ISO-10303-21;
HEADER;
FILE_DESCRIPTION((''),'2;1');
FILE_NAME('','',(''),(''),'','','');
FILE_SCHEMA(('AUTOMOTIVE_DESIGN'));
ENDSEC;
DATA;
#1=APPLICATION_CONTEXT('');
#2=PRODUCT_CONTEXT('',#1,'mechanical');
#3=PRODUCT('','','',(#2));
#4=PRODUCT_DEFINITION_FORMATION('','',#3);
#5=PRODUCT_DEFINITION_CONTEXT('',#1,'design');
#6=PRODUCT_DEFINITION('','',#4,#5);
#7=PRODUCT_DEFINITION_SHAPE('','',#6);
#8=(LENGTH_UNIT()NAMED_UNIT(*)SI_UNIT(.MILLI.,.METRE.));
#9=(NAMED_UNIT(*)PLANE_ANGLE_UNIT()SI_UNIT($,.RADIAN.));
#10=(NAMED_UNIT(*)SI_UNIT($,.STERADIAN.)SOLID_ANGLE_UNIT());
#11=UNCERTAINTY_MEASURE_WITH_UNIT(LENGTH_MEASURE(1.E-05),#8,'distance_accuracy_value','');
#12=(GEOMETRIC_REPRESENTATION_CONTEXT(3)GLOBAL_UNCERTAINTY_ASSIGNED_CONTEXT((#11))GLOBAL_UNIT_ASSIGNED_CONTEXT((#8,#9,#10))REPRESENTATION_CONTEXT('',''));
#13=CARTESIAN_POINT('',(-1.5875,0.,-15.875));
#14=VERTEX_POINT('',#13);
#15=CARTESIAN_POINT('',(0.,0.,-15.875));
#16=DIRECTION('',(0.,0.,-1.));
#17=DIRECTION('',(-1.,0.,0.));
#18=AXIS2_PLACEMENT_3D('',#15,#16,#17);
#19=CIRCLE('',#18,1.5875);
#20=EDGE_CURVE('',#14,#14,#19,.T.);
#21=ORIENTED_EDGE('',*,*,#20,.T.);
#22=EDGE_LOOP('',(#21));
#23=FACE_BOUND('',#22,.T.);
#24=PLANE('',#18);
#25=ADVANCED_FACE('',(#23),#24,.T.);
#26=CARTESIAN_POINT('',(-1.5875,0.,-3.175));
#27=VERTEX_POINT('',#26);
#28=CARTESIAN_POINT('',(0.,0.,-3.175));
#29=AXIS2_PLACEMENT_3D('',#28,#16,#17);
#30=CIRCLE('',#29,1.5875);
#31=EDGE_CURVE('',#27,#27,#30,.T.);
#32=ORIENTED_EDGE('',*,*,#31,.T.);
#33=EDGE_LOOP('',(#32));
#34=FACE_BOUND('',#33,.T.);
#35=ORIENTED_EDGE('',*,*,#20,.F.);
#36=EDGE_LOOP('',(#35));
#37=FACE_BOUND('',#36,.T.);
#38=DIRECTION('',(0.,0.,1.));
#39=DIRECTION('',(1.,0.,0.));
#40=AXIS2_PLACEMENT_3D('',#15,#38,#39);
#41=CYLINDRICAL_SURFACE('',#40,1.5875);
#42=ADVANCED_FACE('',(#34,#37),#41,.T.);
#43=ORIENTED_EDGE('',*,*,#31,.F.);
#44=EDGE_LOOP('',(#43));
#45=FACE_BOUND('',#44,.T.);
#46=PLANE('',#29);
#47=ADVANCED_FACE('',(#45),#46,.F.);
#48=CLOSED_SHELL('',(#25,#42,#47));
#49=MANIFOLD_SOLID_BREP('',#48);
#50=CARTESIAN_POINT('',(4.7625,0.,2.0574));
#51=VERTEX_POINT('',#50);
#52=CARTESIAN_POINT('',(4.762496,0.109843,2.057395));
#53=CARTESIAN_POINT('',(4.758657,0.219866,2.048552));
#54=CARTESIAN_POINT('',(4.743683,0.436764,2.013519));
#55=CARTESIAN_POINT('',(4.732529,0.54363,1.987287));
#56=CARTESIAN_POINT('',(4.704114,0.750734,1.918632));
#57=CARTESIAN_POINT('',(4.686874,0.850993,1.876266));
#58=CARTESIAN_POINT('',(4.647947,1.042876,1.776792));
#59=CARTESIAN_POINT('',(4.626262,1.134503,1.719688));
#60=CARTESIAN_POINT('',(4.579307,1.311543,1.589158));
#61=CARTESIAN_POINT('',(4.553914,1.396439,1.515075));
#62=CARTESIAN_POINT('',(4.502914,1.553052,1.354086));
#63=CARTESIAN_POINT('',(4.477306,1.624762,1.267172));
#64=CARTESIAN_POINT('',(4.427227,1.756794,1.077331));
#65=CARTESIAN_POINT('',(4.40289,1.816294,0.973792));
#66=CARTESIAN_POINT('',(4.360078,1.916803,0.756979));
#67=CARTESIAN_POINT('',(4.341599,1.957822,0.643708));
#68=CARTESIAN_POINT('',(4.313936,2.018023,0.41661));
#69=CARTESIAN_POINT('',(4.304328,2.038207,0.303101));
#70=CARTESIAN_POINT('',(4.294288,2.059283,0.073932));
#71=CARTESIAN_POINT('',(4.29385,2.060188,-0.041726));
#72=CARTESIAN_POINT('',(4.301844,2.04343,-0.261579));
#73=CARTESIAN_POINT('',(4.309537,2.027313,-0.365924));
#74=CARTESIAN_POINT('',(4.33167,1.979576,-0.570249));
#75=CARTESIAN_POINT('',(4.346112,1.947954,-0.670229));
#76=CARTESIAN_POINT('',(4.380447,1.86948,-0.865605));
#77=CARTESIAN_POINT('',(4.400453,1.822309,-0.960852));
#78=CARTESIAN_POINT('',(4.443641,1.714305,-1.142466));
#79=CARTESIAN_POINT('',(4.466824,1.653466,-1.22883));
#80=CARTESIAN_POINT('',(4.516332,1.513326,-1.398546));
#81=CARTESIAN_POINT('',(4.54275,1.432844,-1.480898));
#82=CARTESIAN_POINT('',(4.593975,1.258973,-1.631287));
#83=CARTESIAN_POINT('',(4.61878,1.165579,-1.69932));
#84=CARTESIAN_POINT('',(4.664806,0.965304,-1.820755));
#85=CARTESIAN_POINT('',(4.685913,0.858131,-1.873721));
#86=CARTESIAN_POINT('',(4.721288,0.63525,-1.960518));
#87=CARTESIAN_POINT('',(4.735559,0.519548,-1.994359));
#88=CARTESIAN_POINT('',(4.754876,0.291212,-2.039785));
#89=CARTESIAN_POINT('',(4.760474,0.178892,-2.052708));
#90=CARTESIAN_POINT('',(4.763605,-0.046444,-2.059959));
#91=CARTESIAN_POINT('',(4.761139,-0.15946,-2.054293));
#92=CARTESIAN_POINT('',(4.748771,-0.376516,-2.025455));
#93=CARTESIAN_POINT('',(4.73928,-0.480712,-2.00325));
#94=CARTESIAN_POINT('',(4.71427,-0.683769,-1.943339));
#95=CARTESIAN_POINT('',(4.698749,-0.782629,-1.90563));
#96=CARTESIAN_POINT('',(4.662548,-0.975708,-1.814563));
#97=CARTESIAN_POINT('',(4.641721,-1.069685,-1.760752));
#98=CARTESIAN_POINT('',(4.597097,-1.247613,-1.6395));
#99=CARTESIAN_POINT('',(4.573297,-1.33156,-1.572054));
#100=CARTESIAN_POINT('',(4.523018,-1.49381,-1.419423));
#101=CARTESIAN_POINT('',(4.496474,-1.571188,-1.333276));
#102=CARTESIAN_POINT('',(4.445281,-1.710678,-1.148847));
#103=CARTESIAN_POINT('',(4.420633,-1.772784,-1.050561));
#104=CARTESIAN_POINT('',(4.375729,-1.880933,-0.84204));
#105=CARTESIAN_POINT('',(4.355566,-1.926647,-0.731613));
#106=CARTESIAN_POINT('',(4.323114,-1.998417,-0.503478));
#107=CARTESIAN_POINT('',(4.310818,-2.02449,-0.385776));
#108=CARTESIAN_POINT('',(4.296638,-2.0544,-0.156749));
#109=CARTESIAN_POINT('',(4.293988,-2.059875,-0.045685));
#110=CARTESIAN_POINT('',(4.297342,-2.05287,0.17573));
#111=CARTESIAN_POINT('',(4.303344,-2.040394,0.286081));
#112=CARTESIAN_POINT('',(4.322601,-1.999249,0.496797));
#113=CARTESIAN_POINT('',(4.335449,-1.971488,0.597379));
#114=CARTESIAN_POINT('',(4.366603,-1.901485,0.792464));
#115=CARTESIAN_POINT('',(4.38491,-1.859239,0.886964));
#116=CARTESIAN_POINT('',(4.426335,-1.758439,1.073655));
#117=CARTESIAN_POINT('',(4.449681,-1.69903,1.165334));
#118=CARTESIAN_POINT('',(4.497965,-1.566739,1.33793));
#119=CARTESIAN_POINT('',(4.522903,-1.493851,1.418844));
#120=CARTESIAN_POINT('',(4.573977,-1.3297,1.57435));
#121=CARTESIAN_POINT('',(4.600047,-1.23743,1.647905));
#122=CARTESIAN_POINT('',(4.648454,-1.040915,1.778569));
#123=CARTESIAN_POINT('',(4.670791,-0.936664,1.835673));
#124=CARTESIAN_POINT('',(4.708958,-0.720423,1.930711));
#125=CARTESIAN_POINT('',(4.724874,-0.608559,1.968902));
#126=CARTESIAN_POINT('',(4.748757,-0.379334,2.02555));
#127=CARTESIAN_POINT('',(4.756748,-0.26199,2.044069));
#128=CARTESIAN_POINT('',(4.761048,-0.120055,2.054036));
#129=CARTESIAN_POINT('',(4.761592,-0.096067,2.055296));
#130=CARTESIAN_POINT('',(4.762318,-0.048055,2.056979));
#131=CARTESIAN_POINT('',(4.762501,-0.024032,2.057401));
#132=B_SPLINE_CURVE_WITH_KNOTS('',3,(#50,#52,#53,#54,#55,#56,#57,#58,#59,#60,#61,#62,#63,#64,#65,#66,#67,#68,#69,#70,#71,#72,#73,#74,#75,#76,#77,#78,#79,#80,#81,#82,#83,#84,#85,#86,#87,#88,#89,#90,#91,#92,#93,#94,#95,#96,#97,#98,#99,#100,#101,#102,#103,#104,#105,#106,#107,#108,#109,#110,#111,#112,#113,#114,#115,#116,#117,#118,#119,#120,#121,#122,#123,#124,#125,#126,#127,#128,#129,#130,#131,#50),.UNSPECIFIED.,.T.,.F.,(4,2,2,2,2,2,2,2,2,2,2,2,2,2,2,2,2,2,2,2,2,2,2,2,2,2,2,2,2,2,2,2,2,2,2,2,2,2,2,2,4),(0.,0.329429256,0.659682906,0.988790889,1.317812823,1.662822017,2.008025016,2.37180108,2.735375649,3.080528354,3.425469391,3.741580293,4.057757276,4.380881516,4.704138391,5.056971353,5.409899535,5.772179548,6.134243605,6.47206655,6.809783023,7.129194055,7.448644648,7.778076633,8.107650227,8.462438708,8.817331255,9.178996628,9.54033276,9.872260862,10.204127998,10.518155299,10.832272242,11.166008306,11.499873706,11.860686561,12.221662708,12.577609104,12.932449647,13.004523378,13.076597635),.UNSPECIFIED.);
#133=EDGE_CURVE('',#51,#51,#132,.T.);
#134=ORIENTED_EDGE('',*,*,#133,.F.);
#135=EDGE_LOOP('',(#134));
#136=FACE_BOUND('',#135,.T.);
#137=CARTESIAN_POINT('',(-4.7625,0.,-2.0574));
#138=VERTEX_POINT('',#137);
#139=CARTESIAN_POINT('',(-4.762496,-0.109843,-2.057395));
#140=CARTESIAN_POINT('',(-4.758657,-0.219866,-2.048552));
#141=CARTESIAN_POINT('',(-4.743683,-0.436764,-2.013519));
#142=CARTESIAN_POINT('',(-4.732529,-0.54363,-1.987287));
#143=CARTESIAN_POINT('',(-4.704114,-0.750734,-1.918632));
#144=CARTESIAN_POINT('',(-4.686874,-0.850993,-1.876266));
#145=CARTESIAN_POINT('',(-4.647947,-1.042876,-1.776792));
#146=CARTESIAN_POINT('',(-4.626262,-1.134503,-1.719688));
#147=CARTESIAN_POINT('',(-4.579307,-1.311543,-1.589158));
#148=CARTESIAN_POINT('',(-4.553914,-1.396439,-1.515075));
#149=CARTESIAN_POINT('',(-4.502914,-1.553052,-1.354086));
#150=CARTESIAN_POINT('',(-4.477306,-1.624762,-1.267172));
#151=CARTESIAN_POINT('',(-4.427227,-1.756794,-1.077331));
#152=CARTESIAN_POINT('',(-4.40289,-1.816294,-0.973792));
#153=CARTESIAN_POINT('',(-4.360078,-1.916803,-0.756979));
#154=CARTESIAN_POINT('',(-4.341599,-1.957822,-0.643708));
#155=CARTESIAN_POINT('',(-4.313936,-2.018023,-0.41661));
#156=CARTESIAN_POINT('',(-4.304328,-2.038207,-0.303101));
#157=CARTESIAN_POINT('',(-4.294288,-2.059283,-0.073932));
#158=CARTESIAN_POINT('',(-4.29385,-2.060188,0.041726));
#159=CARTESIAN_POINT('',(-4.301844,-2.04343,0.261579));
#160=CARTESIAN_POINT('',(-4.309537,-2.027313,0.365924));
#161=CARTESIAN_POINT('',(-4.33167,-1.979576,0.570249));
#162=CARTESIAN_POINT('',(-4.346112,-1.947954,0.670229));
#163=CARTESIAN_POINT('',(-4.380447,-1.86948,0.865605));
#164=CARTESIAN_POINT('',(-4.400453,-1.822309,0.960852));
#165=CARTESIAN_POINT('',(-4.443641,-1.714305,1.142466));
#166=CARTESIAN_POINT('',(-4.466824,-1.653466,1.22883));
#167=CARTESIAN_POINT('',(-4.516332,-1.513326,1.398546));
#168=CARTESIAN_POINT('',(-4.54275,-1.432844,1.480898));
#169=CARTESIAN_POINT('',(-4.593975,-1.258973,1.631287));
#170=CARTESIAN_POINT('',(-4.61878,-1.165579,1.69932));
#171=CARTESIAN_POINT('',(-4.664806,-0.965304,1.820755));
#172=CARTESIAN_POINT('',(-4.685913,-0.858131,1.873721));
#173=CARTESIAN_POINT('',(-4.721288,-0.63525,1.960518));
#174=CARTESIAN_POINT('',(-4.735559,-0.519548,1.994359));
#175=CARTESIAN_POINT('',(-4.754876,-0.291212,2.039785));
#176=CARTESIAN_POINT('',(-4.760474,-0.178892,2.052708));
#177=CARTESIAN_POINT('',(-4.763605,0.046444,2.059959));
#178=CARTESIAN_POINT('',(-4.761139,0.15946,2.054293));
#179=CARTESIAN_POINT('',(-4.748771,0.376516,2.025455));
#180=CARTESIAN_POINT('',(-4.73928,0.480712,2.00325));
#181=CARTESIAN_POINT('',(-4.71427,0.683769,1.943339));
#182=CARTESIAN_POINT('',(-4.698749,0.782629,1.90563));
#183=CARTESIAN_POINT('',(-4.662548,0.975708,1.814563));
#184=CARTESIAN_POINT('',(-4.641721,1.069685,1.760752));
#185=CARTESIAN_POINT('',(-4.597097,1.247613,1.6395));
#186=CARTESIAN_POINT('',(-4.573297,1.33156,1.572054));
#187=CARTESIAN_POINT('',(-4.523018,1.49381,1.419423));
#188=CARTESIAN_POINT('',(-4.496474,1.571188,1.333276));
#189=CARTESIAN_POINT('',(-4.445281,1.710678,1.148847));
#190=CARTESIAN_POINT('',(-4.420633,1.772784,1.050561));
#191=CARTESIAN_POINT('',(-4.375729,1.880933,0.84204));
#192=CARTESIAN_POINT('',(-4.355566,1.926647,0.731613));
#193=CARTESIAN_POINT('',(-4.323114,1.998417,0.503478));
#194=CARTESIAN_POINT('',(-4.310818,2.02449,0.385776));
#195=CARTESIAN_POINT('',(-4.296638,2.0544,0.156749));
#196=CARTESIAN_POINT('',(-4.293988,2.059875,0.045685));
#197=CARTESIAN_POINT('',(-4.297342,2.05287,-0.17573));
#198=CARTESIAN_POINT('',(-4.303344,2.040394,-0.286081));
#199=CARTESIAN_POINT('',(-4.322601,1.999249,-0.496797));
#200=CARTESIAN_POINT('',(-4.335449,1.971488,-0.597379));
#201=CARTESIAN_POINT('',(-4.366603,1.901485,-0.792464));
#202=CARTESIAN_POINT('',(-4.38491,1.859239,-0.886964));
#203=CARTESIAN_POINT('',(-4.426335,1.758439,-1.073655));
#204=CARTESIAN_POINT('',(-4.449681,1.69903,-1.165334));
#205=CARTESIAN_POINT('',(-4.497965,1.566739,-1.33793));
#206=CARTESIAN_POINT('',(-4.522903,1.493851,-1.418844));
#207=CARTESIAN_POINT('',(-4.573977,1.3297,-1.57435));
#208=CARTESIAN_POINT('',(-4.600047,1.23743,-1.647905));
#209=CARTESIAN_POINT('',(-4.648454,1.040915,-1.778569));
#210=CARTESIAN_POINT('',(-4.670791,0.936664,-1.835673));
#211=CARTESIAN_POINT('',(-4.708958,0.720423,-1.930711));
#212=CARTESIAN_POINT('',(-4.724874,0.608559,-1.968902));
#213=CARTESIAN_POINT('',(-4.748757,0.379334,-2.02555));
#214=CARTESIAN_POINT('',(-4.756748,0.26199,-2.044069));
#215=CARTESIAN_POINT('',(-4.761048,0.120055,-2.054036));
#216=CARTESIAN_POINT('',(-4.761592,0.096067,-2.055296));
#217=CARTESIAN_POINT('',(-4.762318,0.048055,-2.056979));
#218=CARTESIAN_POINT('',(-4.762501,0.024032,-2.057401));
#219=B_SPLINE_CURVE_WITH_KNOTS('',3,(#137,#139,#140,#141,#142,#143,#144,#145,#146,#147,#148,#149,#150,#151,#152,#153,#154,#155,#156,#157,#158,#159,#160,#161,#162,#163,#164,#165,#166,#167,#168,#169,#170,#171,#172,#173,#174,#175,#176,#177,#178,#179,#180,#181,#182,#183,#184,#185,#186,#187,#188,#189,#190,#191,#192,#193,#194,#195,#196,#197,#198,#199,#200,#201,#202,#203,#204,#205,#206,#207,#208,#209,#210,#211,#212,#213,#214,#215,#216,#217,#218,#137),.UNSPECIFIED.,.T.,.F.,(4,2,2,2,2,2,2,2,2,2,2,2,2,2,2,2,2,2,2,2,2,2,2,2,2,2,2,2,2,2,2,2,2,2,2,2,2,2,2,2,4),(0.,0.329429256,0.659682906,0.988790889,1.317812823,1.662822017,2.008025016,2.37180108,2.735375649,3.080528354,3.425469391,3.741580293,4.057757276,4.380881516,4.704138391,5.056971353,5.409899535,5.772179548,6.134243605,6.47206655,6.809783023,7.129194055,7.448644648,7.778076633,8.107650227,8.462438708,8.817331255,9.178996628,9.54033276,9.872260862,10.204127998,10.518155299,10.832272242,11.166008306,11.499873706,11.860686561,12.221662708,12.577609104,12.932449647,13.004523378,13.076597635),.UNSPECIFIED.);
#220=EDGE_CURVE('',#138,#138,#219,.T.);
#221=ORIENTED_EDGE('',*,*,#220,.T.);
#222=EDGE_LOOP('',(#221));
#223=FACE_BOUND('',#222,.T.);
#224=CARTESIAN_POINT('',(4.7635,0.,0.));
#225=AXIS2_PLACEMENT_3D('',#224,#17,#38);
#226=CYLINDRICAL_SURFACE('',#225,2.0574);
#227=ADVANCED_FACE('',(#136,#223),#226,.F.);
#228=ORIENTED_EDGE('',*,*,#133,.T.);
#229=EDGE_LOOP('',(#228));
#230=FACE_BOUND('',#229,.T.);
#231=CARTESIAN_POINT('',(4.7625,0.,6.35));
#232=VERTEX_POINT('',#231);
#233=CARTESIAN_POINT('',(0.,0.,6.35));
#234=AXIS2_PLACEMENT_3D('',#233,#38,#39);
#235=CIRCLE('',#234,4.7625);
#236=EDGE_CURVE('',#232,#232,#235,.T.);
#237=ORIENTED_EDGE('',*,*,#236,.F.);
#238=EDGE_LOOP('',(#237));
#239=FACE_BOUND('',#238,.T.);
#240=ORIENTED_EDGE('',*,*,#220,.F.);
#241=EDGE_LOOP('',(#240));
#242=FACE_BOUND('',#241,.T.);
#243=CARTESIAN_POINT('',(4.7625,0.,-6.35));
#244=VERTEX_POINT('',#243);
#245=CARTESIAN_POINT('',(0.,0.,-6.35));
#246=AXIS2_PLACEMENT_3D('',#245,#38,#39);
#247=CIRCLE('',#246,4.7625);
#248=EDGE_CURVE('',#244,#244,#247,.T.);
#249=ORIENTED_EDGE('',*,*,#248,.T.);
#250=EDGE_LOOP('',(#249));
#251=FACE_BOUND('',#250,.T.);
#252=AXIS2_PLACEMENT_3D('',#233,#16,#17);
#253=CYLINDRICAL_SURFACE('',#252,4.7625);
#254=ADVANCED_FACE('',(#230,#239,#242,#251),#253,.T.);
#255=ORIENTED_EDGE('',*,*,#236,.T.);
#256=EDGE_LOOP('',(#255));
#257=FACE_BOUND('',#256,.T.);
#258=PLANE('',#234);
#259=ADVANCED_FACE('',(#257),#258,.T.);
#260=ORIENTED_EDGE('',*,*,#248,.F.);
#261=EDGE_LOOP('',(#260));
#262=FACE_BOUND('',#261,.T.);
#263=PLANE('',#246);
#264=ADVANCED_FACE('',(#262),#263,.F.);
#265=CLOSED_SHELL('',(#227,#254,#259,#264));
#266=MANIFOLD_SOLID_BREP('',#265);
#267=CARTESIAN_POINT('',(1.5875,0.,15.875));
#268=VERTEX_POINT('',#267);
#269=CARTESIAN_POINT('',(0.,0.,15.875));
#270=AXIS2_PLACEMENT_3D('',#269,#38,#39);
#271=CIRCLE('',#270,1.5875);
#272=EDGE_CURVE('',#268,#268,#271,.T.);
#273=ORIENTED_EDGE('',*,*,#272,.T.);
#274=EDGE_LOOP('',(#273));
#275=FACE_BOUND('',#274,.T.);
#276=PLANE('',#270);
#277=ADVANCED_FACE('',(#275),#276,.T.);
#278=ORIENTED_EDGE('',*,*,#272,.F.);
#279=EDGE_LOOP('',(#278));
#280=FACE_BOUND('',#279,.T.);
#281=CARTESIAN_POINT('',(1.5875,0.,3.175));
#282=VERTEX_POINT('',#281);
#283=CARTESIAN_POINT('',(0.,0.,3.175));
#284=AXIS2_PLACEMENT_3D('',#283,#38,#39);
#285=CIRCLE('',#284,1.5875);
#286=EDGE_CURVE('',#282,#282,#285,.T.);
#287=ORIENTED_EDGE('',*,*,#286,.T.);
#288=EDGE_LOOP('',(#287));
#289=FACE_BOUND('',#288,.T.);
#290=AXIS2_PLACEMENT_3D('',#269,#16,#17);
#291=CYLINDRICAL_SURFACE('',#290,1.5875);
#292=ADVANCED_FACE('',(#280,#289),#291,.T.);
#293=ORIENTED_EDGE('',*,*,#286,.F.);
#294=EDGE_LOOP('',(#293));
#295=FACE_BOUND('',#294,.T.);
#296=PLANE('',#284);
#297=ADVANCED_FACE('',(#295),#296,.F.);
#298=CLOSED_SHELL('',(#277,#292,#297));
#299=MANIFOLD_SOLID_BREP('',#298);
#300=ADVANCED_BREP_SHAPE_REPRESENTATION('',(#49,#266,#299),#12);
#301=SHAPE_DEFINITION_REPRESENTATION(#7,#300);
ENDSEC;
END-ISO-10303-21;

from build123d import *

# Parameters (mm, degrees)
SKETCH1_R                      = 4.7625
EXTRUDE1_DEPTH                 = 6.35
EXTRUDE1_DEPTH_BACK            = 6.35
CUT_EXTRUDE1_REACH             = 6.763
SKETCH2_R                      = 2.0574
CUT_EXTRUDE1_DIRECTION_2_REACH = 6.763
SKETCH3_R                      = 1.5875
EXTRUDE2_DEPTH                 = 9.525
EXTRUDE2_DEPTH_BACK            = 3.175
SKETCH4_R                      = 1.5875
EXTRUDE3_DEPTH                 = 9.525
EXTRUDE3_DEPTH_BACK            = 3.175


with BuildPart() as part:
    # Sketch1 → Extrude1 (new body, two sides)
    with BuildSketch(Plane.XY) as extrude1_sk:
        Circle(SKETCH1_R)
    extrude(amount=EXTRUDE1_DEPTH)
    extrude(extrude1_sk.sketch, amount=-EXTRUDE1_DEPTH_BACK)

    # Sketch2 → Cut-Extrude1 (cut, up to next)
    with BuildSketch(Plane(origin=(0, 0, 0), x_dir=(0, 0, -1), z_dir=(1, 0, 0)), mode=Mode.PRIVATE) as cut_extrude1_sk1:
        Circle(SKETCH2_R)
    cut_extrude1_tool1 = extrude(cut_extrude1_sk1.sketch, amount=-CUT_EXTRUDE1_REACH, mode=Mode.PRIVATE) & part.part
    add(cut_extrude1_tool1.solids().sort_by_distance((0, 0, 0))[0], mode=Mode.SUBTRACT)

    # Sketch2 → Cut-Extrude1 direction 2 (cut, up to next)
    with BuildSketch(Plane(origin=(0, 0, 0), x_dir=(0, 0, -1), z_dir=(1, 0, 0)), mode=Mode.PRIVATE) as cut_extrude1_direction_2_sk1:
        Circle(SKETCH2_R)
    cut_extrude1_direction_2_tool1 = extrude(cut_extrude1_direction_2_sk1.sketch, amount=CUT_EXTRUDE1_DIRECTION_2_REACH, mode=Mode.PRIVATE) & part.part
    add(cut_extrude1_direction_2_tool1.solids().sort_by_distance((0, 0, 0))[0], mode=Mode.SUBTRACT)


with BuildPart() as body_2:
    # Sketch3 → Extrude2 (new body, two sides)
    with BuildSketch(Plane.XY.offset(6.35)) as extrude2_sk:
        Circle(SKETCH3_R)
    extrude(amount=EXTRUDE2_DEPTH)
    extrude(extrude2_sk.sketch, amount=-EXTRUDE2_DEPTH_BACK)


with BuildPart() as body_3:
    # Sketch4 → Extrude3 (new body, two sides)
    with BuildSketch(Plane(origin=(0, 0, -6.35), x_dir=(-1, 0, 0), z_dir=(0, 0, -1))) as extrude3_sk:
        Circle(SKETCH4_R)
    extrude(amount=EXTRUDE3_DEPTH)
    extrude(extrude3_sk.sketch, amount=-EXTRUDE3_DEPTH_BACK)


solid = Compound([part.part, body_2.part, body_3.part])
